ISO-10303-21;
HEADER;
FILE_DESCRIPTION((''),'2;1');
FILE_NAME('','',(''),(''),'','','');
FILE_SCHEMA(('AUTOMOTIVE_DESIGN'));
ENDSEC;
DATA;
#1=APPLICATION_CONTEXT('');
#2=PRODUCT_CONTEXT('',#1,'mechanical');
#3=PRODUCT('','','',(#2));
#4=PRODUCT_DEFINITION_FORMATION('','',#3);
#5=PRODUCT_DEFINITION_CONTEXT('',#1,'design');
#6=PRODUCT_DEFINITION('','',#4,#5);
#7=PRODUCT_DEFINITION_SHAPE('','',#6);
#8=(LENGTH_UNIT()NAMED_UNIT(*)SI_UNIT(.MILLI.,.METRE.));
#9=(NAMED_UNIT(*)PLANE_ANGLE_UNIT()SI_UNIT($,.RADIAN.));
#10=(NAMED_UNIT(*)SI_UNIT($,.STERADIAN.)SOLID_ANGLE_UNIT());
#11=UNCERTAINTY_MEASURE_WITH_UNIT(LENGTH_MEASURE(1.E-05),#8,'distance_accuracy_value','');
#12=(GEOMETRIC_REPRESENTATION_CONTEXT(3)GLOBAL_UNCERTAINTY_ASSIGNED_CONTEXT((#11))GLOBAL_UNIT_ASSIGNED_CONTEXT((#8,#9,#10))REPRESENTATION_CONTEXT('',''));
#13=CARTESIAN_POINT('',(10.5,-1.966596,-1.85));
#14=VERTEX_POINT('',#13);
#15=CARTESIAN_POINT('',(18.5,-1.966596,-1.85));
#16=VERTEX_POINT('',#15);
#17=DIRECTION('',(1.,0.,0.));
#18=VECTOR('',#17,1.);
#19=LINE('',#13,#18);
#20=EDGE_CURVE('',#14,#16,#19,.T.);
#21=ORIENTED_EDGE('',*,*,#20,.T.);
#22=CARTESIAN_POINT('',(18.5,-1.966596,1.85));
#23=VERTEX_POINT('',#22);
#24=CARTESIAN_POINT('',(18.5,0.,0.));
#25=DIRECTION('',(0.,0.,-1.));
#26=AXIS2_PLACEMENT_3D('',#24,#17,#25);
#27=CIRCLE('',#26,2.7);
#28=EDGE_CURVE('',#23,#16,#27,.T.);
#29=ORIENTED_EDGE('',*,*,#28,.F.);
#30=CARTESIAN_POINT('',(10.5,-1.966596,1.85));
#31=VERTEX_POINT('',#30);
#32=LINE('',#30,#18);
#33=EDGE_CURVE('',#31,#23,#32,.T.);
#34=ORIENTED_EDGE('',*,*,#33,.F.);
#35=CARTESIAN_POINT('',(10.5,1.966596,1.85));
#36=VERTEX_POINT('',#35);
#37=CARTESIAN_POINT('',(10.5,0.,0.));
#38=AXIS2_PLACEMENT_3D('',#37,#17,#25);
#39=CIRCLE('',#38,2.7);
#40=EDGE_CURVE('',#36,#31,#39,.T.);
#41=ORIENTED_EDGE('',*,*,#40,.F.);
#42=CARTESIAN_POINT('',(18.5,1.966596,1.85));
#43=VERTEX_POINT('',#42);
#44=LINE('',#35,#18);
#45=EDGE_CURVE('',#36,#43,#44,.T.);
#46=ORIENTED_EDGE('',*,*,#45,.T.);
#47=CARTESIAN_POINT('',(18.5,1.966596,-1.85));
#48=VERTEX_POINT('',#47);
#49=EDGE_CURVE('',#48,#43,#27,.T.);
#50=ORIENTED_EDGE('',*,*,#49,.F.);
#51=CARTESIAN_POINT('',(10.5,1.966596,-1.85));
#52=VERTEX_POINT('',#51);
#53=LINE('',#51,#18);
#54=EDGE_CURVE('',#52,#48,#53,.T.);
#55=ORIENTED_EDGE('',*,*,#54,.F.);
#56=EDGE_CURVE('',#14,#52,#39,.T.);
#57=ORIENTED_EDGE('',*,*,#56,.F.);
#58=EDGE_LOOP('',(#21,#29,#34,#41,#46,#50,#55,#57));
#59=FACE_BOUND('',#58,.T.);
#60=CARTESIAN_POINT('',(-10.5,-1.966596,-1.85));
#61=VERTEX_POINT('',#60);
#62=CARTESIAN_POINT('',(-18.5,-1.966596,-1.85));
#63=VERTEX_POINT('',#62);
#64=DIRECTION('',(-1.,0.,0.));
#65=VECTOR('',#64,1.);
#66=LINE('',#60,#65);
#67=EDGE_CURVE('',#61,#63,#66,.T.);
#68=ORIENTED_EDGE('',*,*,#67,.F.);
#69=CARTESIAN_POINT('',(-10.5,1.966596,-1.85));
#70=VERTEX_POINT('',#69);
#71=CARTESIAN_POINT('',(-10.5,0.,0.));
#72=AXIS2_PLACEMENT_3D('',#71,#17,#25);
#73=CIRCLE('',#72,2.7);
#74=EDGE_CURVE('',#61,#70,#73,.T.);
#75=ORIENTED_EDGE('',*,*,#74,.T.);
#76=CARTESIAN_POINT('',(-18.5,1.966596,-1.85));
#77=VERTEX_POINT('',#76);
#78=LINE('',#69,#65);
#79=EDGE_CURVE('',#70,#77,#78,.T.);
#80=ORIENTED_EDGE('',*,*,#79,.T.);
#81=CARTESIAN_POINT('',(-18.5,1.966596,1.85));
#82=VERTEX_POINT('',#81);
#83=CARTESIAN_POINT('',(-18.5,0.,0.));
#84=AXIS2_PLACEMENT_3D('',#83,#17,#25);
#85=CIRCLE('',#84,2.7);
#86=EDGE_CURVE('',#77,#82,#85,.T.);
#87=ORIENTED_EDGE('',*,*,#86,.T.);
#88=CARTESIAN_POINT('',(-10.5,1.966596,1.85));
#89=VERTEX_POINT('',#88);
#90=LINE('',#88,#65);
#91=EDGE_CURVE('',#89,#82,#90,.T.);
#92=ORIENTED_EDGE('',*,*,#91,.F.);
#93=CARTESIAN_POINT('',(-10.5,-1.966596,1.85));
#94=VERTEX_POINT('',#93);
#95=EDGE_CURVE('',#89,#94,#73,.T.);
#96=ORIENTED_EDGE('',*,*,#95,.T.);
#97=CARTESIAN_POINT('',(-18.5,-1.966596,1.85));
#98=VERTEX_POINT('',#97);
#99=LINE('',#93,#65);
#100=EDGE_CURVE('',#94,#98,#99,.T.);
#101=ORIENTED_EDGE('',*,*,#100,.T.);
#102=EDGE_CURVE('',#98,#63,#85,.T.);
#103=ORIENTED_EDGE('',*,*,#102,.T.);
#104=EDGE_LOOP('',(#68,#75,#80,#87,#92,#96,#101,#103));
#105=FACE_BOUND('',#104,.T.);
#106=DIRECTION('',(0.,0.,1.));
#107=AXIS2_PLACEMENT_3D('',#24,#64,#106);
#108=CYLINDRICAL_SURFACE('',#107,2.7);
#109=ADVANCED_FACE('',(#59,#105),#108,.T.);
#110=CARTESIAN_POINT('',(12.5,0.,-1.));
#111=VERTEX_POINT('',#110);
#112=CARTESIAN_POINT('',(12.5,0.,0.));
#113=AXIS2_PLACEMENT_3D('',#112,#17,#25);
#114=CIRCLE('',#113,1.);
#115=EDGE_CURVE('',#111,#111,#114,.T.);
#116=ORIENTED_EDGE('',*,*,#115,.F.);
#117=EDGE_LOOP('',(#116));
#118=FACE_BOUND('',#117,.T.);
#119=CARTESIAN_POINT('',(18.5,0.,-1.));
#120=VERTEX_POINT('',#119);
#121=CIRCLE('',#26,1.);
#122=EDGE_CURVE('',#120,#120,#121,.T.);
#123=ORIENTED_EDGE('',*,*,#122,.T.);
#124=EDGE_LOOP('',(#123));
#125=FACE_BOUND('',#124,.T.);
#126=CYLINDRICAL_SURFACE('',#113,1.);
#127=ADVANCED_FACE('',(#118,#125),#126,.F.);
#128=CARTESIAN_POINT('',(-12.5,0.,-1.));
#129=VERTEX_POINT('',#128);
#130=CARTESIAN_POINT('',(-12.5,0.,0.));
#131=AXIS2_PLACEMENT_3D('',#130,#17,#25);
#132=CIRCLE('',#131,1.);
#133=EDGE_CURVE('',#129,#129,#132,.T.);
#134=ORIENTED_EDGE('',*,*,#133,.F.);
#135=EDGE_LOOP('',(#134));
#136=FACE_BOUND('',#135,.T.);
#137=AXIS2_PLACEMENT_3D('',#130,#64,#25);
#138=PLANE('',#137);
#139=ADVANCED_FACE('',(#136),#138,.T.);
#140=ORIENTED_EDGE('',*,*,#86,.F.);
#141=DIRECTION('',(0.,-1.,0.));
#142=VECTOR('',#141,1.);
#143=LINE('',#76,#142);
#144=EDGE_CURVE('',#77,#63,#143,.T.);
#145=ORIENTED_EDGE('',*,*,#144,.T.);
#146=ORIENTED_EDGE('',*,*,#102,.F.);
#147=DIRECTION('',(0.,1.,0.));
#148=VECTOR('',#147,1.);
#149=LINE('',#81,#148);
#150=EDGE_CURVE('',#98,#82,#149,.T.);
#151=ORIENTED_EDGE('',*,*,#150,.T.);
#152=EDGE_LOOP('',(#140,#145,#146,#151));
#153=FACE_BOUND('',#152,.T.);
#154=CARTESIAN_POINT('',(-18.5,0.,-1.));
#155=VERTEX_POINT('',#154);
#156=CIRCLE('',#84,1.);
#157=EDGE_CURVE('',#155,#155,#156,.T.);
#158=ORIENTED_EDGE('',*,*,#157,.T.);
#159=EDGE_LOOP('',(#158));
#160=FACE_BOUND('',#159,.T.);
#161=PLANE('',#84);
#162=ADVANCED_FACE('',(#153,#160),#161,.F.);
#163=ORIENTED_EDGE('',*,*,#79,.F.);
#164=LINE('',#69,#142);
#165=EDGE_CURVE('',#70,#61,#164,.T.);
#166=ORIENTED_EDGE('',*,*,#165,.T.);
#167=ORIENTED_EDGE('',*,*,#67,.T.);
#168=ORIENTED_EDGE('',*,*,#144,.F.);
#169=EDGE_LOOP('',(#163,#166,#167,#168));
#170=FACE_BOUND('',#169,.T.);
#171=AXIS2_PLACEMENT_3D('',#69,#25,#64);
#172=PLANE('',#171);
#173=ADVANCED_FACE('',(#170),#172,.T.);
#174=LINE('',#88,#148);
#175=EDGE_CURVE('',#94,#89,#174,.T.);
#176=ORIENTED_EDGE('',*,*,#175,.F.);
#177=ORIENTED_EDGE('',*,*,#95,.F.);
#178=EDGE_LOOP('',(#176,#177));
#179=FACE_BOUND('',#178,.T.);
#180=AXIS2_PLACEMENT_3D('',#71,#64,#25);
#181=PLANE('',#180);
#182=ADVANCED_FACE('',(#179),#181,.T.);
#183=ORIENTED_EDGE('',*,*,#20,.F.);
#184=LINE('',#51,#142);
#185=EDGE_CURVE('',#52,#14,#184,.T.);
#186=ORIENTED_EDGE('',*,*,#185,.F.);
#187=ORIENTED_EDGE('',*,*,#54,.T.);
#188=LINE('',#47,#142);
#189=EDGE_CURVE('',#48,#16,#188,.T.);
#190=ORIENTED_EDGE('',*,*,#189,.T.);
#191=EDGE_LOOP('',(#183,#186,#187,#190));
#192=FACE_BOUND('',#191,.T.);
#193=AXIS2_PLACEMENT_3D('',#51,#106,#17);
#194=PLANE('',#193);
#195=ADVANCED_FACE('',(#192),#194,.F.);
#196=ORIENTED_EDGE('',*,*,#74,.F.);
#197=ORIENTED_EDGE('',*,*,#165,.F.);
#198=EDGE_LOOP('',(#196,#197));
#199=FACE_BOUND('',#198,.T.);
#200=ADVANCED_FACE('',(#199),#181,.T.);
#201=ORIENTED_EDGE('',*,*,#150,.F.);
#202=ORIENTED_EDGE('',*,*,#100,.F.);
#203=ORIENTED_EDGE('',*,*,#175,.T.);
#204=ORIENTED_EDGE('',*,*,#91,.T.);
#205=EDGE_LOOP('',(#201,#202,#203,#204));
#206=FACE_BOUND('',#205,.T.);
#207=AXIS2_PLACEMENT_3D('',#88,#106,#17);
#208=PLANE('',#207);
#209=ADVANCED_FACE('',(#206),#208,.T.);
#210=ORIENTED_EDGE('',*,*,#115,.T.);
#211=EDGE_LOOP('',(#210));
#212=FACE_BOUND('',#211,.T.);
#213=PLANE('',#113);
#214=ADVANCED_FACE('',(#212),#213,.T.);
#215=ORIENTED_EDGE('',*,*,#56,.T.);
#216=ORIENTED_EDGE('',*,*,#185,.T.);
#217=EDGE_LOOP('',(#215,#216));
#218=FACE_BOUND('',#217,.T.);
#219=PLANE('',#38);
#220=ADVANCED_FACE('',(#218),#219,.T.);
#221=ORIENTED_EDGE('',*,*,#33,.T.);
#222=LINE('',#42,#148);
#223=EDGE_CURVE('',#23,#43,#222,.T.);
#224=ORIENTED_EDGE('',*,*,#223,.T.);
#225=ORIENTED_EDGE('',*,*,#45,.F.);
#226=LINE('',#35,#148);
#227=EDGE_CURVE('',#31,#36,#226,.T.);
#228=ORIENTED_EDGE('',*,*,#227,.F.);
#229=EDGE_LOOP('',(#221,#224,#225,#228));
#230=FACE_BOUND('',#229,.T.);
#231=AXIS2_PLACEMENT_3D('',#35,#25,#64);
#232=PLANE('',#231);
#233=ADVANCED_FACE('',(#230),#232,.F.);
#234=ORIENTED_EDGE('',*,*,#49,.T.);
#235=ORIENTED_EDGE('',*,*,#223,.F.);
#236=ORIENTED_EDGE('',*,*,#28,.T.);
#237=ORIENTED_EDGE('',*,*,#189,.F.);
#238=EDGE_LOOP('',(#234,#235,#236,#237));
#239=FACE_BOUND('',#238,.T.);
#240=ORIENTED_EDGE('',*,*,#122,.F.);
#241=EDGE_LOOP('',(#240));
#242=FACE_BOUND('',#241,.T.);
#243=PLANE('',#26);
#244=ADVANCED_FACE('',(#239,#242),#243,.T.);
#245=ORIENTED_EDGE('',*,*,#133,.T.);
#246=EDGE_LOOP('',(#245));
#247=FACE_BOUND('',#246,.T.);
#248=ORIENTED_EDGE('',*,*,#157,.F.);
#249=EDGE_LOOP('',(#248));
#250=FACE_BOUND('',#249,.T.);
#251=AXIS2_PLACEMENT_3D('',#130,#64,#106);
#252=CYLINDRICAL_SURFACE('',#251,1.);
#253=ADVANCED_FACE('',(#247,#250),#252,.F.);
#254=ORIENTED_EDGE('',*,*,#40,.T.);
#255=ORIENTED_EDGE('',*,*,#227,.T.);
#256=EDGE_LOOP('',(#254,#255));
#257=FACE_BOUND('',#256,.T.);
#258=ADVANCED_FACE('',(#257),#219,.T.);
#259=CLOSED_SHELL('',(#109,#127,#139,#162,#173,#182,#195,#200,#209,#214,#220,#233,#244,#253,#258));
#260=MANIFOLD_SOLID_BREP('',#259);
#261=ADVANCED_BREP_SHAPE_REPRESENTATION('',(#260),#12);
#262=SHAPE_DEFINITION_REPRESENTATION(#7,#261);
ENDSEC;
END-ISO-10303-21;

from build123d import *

# Parameters (mm, degrees)
SKETCH1_R           = 2.7
BOSS_EXTRUDE1_DEPTH = 18.5
CUT_EXTRUDE1_DEPTH  = 8
SKETCH3_R           = 1
CUT_EXTRUDE2_DEPTH  = 6


with BuildPart() as part:
    # Sketch1 → Boss-Extrude1 (new body, symmetric)
    with BuildSketch(Plane(origin=(0, 0, 0), x_dir=(0, 0, -1), z_dir=(1, 0, 0))):
        Circle(SKETCH1_R)
    extrude(amount=BOSS_EXTRUDE1_DEPTH, both=True)

    # Sketch2 → Cut-Extrude1 (cut)
    with BuildSketch(Plane(origin=(18.5, 0, 0), x_dir=(0, 0, -1), z_dir=(1, 0, 0))):
        with BuildLine():
            Line((-1.85, 1.966596044), (-1.85, -1.966596044))
            ThreePointArc((-1.85, -1.966596044), (-2.7, 0), (-1.85, 1.966596044))
        make_face()
        with BuildLine():
            Line((1.85, 1.966596044), (1.85, -1.966596044))
            ThreePointArc((1.85, -1.966596044), (2.7, 0), (1.85, 1.966596044))
        make_face()
    cut_extrude1 = extrude(amount=-CUT_EXTRUDE1_DEPTH, mode=Mode.SUBTRACT)

    # Sketch3 → Cut-Extrude2 (cut)
    with BuildSketch(Plane(origin=(18.5, 0, 0), x_dir=(0, 0, -1), z_dir=(1, 0, 0))):
        Circle(SKETCH3_R)
    cut_extrude2 = extrude(amount=-CUT_EXTRUDE2_DEPTH, mode=Mode.SUBTRACT)

    # Mirror1: Cut-Extrude1, Cut-Extrude2 across plane
    add(cut_extrude1.mirror(Plane(origin=(0, 0, 0), x_dir=(0, 0, 1), z_dir=(1, 0, 0))), mode=Mode.SUBTRACT)
    add(cut_extrude2.mirror(Plane(origin=(0, 0, 0), x_dir=(0, 0, 1), z_dir=(1, 0, 0))), mode=Mode.SUBTRACT)


solid = part.part
